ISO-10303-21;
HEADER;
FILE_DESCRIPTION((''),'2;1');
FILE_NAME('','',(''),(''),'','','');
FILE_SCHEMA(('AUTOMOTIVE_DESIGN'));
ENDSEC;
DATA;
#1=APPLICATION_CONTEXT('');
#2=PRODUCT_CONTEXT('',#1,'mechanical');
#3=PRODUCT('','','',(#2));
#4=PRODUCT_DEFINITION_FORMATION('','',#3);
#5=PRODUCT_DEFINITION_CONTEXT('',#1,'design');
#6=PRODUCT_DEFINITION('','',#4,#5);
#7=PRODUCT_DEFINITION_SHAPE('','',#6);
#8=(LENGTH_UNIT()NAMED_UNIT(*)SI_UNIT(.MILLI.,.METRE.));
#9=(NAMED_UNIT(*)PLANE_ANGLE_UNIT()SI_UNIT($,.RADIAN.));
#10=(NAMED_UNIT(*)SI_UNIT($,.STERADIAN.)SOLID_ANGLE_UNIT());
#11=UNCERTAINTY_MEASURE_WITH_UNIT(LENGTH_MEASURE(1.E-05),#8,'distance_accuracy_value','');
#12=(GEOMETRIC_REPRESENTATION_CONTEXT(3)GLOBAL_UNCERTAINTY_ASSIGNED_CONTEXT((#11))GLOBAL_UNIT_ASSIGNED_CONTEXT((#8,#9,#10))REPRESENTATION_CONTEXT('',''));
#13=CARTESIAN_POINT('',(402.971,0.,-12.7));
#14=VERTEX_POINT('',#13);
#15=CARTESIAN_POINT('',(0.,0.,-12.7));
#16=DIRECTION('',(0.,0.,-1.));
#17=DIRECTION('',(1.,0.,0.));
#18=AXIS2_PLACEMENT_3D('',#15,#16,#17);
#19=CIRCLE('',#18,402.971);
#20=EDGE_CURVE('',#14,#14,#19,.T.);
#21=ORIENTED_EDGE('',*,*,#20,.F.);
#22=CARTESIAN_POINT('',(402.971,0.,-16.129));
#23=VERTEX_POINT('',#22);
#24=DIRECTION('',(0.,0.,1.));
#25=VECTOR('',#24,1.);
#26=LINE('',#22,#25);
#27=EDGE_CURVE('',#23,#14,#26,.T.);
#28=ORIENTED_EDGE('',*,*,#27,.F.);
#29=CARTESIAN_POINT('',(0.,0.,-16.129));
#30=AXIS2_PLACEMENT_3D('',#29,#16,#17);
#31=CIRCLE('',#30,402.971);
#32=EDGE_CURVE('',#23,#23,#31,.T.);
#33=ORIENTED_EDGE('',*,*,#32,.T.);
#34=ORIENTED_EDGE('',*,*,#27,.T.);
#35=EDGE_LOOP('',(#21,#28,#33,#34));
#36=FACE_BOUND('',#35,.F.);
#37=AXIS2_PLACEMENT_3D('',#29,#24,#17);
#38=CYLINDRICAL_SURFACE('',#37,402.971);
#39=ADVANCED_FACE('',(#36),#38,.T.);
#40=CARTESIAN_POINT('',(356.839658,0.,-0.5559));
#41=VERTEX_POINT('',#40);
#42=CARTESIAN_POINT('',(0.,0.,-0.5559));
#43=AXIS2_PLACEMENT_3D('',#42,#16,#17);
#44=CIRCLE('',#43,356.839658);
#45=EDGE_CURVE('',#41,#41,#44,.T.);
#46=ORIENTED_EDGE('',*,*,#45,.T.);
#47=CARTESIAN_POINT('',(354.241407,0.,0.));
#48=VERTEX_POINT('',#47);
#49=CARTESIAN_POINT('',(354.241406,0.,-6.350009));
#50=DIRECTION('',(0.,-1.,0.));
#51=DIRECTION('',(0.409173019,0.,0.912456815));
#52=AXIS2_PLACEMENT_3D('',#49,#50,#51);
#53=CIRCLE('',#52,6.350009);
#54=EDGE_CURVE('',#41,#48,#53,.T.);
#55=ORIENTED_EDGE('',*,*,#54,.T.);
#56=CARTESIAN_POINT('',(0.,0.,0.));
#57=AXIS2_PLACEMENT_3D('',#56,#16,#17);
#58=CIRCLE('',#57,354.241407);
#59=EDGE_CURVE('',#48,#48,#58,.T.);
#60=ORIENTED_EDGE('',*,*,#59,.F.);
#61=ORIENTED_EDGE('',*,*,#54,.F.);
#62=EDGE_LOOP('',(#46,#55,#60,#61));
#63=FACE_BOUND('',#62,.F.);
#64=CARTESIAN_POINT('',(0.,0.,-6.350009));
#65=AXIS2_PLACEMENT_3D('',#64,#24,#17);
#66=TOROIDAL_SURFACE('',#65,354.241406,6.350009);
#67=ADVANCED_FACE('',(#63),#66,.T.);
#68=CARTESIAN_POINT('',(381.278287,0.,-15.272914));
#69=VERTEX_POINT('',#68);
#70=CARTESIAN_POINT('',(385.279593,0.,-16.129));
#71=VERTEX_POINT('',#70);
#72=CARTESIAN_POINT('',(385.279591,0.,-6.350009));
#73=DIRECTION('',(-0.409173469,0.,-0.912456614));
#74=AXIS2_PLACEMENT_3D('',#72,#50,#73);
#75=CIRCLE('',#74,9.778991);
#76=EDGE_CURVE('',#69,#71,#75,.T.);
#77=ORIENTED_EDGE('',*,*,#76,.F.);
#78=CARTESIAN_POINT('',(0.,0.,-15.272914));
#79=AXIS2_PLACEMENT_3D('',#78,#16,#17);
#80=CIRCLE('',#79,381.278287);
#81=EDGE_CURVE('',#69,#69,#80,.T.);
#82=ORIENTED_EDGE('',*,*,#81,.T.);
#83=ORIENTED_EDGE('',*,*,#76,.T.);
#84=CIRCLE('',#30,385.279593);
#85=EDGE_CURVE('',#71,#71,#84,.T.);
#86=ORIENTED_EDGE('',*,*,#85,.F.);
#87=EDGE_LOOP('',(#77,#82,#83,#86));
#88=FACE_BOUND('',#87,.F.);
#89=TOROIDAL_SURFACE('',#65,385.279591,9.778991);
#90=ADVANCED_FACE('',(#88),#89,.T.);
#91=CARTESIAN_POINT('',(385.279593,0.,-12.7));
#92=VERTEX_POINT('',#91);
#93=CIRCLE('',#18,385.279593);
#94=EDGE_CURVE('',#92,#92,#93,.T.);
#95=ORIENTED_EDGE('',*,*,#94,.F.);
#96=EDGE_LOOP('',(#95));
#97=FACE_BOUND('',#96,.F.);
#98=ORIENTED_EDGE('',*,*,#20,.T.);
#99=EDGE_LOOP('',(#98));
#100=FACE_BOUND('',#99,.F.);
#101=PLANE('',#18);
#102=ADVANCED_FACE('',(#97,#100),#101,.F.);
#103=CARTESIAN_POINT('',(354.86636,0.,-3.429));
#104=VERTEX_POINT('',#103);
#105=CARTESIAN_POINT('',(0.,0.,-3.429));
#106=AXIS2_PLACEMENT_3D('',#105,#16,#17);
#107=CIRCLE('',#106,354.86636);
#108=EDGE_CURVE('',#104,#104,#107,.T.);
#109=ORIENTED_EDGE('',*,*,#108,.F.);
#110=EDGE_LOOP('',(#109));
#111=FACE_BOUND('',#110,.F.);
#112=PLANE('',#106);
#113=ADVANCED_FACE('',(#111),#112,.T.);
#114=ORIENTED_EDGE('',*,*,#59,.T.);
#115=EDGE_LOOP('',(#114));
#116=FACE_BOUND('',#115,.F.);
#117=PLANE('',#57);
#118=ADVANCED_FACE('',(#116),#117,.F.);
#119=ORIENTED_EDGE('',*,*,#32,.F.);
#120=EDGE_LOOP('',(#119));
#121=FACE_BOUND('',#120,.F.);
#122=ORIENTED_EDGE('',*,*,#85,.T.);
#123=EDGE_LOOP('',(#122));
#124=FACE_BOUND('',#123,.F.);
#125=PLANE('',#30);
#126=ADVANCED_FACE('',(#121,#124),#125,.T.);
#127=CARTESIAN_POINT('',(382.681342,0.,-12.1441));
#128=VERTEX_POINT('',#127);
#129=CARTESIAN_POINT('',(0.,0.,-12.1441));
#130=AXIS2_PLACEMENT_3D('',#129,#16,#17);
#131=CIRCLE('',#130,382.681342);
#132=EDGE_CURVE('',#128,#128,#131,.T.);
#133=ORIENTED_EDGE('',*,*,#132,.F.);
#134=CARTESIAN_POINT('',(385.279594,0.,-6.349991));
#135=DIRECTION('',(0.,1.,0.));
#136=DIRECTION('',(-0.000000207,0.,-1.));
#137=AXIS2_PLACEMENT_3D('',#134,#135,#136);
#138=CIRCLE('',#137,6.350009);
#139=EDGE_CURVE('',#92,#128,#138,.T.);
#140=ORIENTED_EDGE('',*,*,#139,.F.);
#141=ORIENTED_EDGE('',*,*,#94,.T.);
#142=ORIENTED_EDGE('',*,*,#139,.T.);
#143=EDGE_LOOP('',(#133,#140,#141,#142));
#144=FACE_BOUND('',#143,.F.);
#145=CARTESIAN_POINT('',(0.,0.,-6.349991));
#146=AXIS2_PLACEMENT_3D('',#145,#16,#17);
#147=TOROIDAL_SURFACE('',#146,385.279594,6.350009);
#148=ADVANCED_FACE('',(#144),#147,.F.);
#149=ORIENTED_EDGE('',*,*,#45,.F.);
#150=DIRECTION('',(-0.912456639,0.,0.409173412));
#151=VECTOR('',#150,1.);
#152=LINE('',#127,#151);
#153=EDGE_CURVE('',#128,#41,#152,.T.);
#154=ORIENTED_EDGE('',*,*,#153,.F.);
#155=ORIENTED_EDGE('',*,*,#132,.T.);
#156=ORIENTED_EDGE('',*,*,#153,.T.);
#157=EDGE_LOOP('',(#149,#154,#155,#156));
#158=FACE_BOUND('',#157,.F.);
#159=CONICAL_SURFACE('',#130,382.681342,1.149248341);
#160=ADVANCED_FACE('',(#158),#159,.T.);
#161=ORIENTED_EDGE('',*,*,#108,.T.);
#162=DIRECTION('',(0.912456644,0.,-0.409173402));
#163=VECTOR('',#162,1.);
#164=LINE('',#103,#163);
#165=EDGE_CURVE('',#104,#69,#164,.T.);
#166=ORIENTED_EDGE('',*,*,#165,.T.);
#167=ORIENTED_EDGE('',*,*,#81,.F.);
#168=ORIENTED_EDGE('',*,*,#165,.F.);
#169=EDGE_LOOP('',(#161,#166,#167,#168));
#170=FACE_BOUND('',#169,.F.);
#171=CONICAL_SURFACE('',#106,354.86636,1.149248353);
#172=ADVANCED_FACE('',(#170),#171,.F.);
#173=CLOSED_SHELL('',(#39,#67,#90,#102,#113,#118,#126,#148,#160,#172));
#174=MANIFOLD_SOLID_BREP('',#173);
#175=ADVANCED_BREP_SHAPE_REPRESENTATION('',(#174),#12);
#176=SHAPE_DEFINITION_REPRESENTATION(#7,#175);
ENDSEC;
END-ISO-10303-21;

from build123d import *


with BuildPart() as f1:
    # F0 (on Front) → F1 (revolve)
    with BuildSketch(Plane.XZ):
        with BuildLine():
            Line((354.241407, 0), (0, 0))
            Line((0, 0), (0, -3.429))
            Line((0, -3.429), (354.86636, -3.429))
            Line((354.86636, -3.429), (381.278287, -15.272914))
            ThreePointArc((381.278287, -15.272914), (383.233662, -15.912584), (385.279593, -16.129))
            Line((385.279593, -16.129), (402.971, -16.129))
            Line((402.971, -16.129), (402.971, -12.7))
            Line((402.971, -12.7), (385.279593, -12.7))
            ThreePointArc((385.279593, -12.7), (383.951067, -12.55947), (382.681342, -12.1441))
            Line((382.681342, -12.1441), (356.839658, -0.5559))
            ThreePointArc((356.839658, -0.5559), (355.569933, -0.14053), (354.241407, 0))
        make_face()
    revolve(axis=Axis((0, 0, -1.7145), (0, 0, -1)))


solid = f1.part
